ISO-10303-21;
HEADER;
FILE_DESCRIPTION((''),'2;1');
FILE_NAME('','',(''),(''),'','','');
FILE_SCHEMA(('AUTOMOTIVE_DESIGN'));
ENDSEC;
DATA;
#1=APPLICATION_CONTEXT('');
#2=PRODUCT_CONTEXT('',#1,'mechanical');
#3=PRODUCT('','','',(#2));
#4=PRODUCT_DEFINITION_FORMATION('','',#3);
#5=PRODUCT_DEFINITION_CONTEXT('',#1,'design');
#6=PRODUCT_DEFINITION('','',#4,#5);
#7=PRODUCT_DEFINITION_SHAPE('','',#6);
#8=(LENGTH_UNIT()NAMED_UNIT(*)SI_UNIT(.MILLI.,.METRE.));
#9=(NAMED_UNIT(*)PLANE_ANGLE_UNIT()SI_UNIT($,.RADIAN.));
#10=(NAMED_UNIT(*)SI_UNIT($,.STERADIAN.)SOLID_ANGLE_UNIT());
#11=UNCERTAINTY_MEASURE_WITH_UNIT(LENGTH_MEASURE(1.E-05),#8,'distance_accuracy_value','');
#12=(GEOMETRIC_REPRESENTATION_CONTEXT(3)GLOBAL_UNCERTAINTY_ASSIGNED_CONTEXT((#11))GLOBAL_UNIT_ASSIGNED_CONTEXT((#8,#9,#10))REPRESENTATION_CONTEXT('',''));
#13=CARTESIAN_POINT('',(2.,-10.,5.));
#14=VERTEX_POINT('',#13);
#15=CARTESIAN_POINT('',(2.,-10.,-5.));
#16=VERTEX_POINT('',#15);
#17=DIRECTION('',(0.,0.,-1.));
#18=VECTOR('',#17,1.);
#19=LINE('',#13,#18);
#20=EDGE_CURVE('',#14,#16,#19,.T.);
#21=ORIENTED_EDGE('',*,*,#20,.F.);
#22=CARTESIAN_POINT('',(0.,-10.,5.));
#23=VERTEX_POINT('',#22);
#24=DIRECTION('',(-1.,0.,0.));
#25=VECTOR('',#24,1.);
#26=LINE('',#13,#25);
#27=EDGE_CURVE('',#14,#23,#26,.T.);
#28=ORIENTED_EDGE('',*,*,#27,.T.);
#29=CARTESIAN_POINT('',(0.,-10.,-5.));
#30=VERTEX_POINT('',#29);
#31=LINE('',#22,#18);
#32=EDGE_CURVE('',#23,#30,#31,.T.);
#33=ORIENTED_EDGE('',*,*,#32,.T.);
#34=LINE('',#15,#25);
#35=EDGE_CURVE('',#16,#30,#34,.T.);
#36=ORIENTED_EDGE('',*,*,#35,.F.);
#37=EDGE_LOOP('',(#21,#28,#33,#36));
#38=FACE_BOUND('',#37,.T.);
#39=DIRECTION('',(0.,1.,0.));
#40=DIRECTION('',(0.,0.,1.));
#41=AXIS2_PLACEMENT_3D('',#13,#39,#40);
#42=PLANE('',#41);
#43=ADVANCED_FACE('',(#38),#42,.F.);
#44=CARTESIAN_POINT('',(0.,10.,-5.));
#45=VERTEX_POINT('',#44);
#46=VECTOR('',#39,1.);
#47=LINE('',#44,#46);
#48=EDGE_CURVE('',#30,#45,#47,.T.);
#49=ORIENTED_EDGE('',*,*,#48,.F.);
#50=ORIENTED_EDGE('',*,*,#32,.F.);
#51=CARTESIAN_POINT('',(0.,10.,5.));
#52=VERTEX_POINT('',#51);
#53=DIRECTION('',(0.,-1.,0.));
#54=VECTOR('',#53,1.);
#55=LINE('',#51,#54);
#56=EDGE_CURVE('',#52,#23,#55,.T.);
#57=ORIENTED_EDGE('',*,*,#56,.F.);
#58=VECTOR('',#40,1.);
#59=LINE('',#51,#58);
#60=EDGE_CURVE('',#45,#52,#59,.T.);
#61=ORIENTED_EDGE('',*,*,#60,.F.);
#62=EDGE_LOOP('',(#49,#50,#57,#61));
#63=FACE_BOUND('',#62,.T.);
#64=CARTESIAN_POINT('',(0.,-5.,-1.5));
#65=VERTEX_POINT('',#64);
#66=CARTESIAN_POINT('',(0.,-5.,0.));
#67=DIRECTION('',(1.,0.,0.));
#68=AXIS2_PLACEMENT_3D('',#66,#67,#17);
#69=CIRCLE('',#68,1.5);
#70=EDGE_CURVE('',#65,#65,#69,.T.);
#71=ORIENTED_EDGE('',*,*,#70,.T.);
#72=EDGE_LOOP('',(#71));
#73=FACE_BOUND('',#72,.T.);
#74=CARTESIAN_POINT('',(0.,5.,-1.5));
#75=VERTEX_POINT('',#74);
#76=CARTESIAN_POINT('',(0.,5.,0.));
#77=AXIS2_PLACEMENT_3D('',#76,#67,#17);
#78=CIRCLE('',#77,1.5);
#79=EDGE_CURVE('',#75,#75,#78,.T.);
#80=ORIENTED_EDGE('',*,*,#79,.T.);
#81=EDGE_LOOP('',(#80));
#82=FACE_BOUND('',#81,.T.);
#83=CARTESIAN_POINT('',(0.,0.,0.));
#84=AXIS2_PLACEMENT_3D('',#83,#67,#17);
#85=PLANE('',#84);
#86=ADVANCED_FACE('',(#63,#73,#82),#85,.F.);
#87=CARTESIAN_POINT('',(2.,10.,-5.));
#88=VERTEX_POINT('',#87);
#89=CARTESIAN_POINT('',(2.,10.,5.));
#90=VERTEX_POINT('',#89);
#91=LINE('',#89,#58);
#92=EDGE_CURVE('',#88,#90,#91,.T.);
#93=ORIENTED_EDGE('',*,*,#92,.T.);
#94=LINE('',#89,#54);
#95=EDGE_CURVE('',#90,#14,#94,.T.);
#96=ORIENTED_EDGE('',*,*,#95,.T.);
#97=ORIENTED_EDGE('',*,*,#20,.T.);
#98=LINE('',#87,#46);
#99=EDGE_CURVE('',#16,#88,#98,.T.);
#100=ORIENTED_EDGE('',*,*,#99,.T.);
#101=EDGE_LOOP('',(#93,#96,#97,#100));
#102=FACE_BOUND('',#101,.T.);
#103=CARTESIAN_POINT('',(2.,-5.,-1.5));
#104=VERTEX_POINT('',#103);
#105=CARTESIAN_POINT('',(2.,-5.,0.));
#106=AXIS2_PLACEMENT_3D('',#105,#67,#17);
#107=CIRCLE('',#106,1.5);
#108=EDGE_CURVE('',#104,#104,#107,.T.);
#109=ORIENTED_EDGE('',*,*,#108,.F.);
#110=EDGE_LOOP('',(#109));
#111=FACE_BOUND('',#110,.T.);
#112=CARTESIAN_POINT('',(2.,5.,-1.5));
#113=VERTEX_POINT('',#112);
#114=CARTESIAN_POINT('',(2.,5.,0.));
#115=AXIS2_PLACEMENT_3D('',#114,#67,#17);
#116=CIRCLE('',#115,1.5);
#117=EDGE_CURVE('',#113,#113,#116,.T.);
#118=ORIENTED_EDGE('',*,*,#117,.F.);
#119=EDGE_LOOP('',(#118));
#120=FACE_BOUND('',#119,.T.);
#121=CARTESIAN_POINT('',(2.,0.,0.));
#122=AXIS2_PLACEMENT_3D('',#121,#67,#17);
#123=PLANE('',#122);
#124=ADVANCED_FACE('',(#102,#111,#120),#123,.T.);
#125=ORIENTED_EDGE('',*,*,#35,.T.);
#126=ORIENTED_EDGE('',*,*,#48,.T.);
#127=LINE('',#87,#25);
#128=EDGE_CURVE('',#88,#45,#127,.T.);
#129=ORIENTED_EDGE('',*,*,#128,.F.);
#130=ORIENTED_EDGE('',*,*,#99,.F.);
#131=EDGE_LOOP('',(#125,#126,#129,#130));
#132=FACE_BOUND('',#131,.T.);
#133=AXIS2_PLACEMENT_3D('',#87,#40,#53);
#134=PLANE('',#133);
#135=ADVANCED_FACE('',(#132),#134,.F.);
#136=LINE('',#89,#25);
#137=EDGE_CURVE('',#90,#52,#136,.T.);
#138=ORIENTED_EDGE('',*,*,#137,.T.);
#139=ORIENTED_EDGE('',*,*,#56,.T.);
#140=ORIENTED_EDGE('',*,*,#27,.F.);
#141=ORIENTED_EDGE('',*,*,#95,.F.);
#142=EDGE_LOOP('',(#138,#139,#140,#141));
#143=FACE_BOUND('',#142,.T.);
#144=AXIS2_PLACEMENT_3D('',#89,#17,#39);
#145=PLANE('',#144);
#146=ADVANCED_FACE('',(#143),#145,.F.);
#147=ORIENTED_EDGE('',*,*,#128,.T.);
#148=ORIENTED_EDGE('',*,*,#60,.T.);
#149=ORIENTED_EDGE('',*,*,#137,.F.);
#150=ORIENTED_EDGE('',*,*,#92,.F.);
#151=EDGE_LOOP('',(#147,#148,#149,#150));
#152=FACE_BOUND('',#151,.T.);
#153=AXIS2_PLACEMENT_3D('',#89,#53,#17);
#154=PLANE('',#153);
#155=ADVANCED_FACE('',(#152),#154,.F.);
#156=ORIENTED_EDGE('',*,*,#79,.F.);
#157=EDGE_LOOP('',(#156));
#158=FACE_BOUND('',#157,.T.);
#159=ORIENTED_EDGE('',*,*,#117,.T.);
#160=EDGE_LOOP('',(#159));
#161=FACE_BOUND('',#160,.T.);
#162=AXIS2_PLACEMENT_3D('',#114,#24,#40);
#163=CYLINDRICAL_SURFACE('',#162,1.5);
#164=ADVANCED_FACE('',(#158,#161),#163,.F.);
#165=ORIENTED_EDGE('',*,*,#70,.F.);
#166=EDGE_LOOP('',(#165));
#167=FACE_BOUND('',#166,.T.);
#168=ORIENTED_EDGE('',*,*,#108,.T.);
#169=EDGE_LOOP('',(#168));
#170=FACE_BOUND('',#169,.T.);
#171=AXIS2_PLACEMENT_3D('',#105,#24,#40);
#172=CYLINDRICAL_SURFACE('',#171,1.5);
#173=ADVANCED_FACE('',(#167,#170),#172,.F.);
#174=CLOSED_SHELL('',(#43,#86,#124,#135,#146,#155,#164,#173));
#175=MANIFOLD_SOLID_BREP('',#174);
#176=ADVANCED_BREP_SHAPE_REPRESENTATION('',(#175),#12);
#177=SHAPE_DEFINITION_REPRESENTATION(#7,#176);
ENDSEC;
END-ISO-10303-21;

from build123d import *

# Parameters (mm, degrees)
SKETCH1_W           = 10
SKETCH1_H           = 20
SKETCH1_R           = 1.5
BOSS_EXTRUDE1_DEPTH = 2


with BuildPart() as part:
    # Sketch1 → Boss-Extrude1 (new body)
    with BuildSketch(Plane(origin=(0, 0, 0), x_dir=(0, 0, -1), z_dir=(1, 0, 0))):
        Rectangle(SKETCH1_W, SKETCH1_H)
        with Locations((0, 5)):
            Circle(SKETCH1_R, mode=Mode.SUBTRACT)
        with Locations((0, -5)):
            Circle(SKETCH1_R, mode=Mode.SUBTRACT)
    extrude(amount=BOSS_EXTRUDE1_DEPTH)


solid = part.part
